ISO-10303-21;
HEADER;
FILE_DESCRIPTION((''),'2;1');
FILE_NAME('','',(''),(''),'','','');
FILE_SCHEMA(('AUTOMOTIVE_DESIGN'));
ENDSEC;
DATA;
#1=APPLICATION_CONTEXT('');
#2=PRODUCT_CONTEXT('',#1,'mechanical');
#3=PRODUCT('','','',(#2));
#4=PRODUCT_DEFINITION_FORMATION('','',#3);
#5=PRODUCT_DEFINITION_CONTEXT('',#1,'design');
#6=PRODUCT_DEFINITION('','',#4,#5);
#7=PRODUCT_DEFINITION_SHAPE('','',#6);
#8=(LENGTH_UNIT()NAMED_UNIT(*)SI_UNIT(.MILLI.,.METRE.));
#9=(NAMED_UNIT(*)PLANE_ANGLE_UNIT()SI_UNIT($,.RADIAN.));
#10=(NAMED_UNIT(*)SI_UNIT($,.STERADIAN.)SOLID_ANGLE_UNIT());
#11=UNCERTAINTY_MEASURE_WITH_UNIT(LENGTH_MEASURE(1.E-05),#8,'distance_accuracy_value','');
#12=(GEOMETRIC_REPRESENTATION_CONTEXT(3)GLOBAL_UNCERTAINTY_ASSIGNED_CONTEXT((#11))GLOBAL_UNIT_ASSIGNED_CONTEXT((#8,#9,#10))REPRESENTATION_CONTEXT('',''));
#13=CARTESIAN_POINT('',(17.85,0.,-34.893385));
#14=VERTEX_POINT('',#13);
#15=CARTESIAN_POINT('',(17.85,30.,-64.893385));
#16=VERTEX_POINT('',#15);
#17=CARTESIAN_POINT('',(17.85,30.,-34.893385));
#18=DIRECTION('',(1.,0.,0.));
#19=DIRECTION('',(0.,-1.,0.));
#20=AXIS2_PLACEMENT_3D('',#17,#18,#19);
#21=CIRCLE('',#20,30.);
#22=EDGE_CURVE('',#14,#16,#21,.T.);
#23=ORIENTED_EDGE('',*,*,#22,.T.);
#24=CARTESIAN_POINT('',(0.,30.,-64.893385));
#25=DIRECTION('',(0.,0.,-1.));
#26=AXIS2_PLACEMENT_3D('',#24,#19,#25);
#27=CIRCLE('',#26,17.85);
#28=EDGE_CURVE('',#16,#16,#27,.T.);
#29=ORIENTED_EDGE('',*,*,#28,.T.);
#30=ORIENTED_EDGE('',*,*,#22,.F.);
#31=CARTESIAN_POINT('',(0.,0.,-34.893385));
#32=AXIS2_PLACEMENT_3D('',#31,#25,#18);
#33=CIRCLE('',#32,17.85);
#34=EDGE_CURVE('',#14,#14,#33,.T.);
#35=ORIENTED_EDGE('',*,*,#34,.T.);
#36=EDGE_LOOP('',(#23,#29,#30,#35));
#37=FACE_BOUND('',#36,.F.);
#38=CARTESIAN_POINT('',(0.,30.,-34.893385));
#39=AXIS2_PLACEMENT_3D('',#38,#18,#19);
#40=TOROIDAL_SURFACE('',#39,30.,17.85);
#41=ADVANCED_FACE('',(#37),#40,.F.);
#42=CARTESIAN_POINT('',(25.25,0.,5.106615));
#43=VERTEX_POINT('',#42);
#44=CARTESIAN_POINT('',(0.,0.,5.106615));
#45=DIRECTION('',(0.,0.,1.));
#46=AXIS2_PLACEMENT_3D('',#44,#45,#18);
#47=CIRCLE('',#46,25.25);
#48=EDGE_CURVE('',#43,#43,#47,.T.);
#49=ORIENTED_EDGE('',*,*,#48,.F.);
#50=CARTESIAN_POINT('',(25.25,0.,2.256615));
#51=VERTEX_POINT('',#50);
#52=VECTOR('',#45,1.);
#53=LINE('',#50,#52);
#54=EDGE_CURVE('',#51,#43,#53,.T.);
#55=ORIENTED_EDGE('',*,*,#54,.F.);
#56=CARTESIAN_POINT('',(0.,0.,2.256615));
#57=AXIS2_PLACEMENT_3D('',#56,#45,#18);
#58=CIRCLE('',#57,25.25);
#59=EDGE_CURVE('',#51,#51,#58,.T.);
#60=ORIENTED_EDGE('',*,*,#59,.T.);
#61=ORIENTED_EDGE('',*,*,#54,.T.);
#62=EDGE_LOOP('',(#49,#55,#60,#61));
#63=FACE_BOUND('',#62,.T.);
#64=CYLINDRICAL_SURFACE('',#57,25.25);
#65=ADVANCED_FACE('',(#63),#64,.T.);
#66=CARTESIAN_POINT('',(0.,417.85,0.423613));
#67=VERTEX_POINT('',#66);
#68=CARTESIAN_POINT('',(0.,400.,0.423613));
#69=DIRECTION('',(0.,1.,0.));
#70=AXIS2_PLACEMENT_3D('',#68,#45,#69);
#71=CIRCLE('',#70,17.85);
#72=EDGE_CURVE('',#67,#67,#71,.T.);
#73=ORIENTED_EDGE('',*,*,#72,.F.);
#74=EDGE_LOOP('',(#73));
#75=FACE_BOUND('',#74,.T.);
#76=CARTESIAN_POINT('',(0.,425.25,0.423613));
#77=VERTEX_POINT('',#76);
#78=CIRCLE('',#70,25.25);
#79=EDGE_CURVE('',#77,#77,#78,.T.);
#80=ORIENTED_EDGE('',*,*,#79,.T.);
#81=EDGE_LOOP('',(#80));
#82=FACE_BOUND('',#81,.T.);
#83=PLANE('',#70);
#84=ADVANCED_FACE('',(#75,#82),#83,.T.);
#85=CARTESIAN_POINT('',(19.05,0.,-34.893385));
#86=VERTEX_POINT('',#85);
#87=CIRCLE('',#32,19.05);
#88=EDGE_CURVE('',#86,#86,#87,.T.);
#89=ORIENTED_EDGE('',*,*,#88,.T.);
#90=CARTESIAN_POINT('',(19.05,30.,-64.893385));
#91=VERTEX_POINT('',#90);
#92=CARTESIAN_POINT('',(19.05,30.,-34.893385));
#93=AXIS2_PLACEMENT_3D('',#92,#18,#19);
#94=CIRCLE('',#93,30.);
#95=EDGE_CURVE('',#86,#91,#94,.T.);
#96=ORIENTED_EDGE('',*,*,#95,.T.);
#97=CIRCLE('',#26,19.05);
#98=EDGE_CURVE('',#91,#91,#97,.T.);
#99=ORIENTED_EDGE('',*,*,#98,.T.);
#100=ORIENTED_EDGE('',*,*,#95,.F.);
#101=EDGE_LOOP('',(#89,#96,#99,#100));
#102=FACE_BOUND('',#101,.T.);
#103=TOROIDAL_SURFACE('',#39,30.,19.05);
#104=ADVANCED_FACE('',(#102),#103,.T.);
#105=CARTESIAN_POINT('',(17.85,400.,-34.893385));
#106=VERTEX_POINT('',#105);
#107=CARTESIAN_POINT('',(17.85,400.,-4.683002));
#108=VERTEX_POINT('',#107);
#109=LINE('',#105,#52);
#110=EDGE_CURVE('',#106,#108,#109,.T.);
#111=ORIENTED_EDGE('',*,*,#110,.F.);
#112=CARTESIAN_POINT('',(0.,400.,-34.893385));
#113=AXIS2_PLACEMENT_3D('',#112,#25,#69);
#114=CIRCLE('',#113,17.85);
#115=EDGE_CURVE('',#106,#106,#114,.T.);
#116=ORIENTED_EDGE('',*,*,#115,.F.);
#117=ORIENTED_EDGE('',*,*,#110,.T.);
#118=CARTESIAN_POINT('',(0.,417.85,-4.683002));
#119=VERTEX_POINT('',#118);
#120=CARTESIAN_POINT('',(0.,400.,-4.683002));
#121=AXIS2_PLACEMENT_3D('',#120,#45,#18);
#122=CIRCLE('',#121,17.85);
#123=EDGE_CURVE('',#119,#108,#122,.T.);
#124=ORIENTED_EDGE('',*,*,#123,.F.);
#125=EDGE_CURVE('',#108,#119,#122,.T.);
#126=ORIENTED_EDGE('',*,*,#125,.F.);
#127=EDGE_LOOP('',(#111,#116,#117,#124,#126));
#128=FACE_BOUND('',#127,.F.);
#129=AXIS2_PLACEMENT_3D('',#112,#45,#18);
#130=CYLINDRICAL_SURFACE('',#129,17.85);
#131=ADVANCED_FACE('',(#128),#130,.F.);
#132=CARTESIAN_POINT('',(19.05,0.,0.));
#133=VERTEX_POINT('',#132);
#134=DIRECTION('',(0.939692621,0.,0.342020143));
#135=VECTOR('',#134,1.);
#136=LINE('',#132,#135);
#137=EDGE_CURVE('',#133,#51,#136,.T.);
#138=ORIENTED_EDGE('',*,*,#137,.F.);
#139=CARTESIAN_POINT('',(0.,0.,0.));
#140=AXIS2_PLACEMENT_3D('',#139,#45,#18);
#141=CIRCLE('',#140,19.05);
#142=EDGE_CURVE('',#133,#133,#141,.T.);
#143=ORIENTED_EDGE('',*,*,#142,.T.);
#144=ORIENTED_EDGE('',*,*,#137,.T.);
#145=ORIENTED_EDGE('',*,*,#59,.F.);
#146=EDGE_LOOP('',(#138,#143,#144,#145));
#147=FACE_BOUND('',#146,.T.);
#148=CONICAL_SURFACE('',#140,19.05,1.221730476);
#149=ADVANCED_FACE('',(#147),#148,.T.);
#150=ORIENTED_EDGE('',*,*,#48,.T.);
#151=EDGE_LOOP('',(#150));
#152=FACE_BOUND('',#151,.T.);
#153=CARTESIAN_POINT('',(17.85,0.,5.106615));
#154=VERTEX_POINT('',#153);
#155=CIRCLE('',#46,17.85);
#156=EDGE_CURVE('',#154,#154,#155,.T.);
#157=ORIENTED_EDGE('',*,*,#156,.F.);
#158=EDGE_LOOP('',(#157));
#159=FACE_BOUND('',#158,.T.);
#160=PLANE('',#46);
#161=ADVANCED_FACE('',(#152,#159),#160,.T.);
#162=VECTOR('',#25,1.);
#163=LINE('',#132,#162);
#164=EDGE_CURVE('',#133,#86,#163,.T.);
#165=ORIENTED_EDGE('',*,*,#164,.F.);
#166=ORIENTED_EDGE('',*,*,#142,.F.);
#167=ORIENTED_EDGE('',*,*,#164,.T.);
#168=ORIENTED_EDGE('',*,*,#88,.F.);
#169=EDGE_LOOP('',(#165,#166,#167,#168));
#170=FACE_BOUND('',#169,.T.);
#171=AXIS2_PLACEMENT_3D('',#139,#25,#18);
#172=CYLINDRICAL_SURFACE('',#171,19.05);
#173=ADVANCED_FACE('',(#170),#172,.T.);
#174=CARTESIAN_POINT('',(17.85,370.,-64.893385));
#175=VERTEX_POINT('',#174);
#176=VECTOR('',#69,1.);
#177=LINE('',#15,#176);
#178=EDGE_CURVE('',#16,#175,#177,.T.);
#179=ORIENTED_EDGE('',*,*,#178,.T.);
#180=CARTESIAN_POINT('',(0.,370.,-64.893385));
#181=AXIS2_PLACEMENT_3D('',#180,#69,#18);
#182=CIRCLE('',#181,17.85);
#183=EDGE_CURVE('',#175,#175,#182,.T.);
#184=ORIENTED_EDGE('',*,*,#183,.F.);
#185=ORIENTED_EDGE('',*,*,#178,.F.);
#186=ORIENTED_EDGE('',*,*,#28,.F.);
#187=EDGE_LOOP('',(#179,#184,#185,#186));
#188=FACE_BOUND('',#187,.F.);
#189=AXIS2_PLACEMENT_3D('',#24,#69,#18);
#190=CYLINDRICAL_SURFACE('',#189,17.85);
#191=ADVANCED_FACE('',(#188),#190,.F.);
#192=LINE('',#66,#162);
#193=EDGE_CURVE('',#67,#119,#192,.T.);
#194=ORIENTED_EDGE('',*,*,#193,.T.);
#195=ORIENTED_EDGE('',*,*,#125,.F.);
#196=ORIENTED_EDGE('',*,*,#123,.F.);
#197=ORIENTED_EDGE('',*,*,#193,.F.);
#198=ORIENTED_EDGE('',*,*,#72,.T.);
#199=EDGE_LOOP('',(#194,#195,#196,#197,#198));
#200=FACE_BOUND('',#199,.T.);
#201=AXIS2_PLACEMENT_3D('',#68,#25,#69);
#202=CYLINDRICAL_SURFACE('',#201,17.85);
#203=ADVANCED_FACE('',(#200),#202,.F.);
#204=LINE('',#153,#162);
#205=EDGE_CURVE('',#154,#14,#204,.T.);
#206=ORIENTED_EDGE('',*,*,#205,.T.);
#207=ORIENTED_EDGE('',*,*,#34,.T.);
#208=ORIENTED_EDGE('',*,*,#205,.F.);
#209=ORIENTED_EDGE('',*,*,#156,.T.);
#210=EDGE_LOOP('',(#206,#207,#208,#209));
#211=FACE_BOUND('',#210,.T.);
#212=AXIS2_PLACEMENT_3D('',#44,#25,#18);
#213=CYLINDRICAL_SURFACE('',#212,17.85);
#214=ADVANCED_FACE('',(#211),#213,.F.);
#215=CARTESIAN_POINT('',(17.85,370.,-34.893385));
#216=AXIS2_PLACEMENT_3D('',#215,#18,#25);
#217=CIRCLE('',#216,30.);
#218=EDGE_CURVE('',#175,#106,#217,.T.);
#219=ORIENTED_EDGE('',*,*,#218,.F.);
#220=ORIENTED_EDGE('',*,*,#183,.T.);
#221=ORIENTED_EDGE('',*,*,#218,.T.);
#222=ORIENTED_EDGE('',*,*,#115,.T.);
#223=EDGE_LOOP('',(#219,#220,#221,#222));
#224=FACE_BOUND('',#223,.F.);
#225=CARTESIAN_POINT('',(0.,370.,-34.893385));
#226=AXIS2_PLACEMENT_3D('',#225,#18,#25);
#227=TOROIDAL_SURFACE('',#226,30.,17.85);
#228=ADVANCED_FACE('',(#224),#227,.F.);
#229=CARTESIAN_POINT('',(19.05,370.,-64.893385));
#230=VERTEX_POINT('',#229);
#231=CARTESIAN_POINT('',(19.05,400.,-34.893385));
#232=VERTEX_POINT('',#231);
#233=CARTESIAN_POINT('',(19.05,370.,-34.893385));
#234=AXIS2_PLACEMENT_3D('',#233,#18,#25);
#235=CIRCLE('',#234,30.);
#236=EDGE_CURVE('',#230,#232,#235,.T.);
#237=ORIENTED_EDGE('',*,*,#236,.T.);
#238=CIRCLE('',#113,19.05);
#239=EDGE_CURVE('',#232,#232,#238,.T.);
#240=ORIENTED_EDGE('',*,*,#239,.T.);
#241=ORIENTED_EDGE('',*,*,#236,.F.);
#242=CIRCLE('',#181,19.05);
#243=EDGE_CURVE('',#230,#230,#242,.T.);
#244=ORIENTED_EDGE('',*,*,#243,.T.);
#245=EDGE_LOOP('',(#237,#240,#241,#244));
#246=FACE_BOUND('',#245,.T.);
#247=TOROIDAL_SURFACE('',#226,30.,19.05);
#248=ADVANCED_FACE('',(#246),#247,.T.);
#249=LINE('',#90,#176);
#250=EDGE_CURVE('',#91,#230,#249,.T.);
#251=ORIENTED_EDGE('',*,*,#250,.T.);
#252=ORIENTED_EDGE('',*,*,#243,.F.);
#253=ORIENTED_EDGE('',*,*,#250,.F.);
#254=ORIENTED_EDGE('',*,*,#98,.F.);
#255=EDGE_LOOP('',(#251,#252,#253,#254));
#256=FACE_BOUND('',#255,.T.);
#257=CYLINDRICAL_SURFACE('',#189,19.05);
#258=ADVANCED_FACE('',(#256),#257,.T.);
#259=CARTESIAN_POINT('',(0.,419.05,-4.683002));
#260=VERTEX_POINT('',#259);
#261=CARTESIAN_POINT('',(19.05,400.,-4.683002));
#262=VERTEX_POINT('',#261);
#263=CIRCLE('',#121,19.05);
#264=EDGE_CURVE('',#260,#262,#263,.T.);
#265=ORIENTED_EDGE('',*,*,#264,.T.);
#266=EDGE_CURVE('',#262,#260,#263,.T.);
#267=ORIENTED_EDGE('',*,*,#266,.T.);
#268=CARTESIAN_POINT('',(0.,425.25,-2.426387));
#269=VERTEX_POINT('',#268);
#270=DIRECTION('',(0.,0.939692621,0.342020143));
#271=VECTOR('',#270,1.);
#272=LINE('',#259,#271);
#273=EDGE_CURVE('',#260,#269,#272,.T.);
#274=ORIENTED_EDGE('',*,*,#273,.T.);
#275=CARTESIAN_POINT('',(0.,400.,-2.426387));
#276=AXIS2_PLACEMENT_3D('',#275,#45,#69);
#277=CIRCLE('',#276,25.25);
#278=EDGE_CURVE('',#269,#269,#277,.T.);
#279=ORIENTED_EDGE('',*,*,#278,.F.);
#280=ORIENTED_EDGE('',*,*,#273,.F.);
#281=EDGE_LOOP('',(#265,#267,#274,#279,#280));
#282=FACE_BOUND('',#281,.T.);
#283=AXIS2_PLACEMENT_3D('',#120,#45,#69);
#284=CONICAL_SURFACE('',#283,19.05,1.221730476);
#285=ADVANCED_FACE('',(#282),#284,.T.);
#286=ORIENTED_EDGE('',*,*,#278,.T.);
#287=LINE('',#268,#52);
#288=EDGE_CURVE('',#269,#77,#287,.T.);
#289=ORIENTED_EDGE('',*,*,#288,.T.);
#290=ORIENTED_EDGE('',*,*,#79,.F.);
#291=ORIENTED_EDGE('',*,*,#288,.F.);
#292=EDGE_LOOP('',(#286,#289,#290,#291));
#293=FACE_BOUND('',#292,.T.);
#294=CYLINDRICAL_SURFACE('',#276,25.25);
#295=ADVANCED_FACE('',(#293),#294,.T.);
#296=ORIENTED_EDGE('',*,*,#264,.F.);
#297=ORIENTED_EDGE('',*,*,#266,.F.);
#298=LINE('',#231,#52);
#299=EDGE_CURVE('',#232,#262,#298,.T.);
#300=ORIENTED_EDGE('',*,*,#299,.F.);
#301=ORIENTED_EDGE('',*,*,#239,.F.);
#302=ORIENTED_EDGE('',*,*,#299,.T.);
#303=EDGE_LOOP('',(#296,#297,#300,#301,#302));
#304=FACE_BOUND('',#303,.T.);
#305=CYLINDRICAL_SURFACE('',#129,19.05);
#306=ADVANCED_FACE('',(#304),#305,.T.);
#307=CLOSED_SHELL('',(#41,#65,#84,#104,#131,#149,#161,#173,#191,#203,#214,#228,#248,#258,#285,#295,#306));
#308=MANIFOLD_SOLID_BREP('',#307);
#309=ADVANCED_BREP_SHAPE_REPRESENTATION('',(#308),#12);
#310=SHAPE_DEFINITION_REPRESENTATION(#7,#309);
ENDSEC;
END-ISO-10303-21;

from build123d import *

# Parameters (mm, degrees)
F2_R   = 19.05
F2_R_2 = 17.85


with BuildPart() as f1:
    # F0 (on Front) → F1 (revolve)
    with BuildSketch(Plane.XZ):
        Polygon((17.85, 5.1066154525), (17.85, 0), (19.05, 0), (25.25, 2.2566154525), (25.25, 5.1066154525), align=None)
    revolve(axis=Axis((0, 0, 5.6449943222), (0, 0, 1)))

    # F4: sweep along a path in F3
    with BuildLine(Plane.YZ) as f4_path:
        Line((0, 0), (0, -34.8933845475))
        ThreePointArc((0, -34.8933845475), (8.7867965644, -56.1065879831), (30, -64.8933845475))
        Line((30, -64.8933845475), (370, -64.8933845475))
        ThreePointArc((370, -64.8933845475), (391.2132034356, -56.1065879831), (400, -34.8933845475))
        Line((400, -34.8933845475), (400, -4.6830023639))
    # F2 (on Top) → F4 (sweep)
    with BuildSketch(Plane.XY):
        Circle(F2_R)
        Circle(F2_R_2, mode=Mode.SUBTRACT)
    sweep(path=f4_path.line)

    # F5 (on Right) → F6 (revolve)
    with BuildSketch(Plane.YZ):
        Polygon((417.85, 0.4236130886), (417.85, -4.6830023639), (419.05, -4.6830023639), (425.25, -2.4263869114), (425.25, 0.4236130886), align=None)
    revolve(axis=Axis((0, 400, -19.7881934557), (0, 0, 1)))


solid = f1.part
